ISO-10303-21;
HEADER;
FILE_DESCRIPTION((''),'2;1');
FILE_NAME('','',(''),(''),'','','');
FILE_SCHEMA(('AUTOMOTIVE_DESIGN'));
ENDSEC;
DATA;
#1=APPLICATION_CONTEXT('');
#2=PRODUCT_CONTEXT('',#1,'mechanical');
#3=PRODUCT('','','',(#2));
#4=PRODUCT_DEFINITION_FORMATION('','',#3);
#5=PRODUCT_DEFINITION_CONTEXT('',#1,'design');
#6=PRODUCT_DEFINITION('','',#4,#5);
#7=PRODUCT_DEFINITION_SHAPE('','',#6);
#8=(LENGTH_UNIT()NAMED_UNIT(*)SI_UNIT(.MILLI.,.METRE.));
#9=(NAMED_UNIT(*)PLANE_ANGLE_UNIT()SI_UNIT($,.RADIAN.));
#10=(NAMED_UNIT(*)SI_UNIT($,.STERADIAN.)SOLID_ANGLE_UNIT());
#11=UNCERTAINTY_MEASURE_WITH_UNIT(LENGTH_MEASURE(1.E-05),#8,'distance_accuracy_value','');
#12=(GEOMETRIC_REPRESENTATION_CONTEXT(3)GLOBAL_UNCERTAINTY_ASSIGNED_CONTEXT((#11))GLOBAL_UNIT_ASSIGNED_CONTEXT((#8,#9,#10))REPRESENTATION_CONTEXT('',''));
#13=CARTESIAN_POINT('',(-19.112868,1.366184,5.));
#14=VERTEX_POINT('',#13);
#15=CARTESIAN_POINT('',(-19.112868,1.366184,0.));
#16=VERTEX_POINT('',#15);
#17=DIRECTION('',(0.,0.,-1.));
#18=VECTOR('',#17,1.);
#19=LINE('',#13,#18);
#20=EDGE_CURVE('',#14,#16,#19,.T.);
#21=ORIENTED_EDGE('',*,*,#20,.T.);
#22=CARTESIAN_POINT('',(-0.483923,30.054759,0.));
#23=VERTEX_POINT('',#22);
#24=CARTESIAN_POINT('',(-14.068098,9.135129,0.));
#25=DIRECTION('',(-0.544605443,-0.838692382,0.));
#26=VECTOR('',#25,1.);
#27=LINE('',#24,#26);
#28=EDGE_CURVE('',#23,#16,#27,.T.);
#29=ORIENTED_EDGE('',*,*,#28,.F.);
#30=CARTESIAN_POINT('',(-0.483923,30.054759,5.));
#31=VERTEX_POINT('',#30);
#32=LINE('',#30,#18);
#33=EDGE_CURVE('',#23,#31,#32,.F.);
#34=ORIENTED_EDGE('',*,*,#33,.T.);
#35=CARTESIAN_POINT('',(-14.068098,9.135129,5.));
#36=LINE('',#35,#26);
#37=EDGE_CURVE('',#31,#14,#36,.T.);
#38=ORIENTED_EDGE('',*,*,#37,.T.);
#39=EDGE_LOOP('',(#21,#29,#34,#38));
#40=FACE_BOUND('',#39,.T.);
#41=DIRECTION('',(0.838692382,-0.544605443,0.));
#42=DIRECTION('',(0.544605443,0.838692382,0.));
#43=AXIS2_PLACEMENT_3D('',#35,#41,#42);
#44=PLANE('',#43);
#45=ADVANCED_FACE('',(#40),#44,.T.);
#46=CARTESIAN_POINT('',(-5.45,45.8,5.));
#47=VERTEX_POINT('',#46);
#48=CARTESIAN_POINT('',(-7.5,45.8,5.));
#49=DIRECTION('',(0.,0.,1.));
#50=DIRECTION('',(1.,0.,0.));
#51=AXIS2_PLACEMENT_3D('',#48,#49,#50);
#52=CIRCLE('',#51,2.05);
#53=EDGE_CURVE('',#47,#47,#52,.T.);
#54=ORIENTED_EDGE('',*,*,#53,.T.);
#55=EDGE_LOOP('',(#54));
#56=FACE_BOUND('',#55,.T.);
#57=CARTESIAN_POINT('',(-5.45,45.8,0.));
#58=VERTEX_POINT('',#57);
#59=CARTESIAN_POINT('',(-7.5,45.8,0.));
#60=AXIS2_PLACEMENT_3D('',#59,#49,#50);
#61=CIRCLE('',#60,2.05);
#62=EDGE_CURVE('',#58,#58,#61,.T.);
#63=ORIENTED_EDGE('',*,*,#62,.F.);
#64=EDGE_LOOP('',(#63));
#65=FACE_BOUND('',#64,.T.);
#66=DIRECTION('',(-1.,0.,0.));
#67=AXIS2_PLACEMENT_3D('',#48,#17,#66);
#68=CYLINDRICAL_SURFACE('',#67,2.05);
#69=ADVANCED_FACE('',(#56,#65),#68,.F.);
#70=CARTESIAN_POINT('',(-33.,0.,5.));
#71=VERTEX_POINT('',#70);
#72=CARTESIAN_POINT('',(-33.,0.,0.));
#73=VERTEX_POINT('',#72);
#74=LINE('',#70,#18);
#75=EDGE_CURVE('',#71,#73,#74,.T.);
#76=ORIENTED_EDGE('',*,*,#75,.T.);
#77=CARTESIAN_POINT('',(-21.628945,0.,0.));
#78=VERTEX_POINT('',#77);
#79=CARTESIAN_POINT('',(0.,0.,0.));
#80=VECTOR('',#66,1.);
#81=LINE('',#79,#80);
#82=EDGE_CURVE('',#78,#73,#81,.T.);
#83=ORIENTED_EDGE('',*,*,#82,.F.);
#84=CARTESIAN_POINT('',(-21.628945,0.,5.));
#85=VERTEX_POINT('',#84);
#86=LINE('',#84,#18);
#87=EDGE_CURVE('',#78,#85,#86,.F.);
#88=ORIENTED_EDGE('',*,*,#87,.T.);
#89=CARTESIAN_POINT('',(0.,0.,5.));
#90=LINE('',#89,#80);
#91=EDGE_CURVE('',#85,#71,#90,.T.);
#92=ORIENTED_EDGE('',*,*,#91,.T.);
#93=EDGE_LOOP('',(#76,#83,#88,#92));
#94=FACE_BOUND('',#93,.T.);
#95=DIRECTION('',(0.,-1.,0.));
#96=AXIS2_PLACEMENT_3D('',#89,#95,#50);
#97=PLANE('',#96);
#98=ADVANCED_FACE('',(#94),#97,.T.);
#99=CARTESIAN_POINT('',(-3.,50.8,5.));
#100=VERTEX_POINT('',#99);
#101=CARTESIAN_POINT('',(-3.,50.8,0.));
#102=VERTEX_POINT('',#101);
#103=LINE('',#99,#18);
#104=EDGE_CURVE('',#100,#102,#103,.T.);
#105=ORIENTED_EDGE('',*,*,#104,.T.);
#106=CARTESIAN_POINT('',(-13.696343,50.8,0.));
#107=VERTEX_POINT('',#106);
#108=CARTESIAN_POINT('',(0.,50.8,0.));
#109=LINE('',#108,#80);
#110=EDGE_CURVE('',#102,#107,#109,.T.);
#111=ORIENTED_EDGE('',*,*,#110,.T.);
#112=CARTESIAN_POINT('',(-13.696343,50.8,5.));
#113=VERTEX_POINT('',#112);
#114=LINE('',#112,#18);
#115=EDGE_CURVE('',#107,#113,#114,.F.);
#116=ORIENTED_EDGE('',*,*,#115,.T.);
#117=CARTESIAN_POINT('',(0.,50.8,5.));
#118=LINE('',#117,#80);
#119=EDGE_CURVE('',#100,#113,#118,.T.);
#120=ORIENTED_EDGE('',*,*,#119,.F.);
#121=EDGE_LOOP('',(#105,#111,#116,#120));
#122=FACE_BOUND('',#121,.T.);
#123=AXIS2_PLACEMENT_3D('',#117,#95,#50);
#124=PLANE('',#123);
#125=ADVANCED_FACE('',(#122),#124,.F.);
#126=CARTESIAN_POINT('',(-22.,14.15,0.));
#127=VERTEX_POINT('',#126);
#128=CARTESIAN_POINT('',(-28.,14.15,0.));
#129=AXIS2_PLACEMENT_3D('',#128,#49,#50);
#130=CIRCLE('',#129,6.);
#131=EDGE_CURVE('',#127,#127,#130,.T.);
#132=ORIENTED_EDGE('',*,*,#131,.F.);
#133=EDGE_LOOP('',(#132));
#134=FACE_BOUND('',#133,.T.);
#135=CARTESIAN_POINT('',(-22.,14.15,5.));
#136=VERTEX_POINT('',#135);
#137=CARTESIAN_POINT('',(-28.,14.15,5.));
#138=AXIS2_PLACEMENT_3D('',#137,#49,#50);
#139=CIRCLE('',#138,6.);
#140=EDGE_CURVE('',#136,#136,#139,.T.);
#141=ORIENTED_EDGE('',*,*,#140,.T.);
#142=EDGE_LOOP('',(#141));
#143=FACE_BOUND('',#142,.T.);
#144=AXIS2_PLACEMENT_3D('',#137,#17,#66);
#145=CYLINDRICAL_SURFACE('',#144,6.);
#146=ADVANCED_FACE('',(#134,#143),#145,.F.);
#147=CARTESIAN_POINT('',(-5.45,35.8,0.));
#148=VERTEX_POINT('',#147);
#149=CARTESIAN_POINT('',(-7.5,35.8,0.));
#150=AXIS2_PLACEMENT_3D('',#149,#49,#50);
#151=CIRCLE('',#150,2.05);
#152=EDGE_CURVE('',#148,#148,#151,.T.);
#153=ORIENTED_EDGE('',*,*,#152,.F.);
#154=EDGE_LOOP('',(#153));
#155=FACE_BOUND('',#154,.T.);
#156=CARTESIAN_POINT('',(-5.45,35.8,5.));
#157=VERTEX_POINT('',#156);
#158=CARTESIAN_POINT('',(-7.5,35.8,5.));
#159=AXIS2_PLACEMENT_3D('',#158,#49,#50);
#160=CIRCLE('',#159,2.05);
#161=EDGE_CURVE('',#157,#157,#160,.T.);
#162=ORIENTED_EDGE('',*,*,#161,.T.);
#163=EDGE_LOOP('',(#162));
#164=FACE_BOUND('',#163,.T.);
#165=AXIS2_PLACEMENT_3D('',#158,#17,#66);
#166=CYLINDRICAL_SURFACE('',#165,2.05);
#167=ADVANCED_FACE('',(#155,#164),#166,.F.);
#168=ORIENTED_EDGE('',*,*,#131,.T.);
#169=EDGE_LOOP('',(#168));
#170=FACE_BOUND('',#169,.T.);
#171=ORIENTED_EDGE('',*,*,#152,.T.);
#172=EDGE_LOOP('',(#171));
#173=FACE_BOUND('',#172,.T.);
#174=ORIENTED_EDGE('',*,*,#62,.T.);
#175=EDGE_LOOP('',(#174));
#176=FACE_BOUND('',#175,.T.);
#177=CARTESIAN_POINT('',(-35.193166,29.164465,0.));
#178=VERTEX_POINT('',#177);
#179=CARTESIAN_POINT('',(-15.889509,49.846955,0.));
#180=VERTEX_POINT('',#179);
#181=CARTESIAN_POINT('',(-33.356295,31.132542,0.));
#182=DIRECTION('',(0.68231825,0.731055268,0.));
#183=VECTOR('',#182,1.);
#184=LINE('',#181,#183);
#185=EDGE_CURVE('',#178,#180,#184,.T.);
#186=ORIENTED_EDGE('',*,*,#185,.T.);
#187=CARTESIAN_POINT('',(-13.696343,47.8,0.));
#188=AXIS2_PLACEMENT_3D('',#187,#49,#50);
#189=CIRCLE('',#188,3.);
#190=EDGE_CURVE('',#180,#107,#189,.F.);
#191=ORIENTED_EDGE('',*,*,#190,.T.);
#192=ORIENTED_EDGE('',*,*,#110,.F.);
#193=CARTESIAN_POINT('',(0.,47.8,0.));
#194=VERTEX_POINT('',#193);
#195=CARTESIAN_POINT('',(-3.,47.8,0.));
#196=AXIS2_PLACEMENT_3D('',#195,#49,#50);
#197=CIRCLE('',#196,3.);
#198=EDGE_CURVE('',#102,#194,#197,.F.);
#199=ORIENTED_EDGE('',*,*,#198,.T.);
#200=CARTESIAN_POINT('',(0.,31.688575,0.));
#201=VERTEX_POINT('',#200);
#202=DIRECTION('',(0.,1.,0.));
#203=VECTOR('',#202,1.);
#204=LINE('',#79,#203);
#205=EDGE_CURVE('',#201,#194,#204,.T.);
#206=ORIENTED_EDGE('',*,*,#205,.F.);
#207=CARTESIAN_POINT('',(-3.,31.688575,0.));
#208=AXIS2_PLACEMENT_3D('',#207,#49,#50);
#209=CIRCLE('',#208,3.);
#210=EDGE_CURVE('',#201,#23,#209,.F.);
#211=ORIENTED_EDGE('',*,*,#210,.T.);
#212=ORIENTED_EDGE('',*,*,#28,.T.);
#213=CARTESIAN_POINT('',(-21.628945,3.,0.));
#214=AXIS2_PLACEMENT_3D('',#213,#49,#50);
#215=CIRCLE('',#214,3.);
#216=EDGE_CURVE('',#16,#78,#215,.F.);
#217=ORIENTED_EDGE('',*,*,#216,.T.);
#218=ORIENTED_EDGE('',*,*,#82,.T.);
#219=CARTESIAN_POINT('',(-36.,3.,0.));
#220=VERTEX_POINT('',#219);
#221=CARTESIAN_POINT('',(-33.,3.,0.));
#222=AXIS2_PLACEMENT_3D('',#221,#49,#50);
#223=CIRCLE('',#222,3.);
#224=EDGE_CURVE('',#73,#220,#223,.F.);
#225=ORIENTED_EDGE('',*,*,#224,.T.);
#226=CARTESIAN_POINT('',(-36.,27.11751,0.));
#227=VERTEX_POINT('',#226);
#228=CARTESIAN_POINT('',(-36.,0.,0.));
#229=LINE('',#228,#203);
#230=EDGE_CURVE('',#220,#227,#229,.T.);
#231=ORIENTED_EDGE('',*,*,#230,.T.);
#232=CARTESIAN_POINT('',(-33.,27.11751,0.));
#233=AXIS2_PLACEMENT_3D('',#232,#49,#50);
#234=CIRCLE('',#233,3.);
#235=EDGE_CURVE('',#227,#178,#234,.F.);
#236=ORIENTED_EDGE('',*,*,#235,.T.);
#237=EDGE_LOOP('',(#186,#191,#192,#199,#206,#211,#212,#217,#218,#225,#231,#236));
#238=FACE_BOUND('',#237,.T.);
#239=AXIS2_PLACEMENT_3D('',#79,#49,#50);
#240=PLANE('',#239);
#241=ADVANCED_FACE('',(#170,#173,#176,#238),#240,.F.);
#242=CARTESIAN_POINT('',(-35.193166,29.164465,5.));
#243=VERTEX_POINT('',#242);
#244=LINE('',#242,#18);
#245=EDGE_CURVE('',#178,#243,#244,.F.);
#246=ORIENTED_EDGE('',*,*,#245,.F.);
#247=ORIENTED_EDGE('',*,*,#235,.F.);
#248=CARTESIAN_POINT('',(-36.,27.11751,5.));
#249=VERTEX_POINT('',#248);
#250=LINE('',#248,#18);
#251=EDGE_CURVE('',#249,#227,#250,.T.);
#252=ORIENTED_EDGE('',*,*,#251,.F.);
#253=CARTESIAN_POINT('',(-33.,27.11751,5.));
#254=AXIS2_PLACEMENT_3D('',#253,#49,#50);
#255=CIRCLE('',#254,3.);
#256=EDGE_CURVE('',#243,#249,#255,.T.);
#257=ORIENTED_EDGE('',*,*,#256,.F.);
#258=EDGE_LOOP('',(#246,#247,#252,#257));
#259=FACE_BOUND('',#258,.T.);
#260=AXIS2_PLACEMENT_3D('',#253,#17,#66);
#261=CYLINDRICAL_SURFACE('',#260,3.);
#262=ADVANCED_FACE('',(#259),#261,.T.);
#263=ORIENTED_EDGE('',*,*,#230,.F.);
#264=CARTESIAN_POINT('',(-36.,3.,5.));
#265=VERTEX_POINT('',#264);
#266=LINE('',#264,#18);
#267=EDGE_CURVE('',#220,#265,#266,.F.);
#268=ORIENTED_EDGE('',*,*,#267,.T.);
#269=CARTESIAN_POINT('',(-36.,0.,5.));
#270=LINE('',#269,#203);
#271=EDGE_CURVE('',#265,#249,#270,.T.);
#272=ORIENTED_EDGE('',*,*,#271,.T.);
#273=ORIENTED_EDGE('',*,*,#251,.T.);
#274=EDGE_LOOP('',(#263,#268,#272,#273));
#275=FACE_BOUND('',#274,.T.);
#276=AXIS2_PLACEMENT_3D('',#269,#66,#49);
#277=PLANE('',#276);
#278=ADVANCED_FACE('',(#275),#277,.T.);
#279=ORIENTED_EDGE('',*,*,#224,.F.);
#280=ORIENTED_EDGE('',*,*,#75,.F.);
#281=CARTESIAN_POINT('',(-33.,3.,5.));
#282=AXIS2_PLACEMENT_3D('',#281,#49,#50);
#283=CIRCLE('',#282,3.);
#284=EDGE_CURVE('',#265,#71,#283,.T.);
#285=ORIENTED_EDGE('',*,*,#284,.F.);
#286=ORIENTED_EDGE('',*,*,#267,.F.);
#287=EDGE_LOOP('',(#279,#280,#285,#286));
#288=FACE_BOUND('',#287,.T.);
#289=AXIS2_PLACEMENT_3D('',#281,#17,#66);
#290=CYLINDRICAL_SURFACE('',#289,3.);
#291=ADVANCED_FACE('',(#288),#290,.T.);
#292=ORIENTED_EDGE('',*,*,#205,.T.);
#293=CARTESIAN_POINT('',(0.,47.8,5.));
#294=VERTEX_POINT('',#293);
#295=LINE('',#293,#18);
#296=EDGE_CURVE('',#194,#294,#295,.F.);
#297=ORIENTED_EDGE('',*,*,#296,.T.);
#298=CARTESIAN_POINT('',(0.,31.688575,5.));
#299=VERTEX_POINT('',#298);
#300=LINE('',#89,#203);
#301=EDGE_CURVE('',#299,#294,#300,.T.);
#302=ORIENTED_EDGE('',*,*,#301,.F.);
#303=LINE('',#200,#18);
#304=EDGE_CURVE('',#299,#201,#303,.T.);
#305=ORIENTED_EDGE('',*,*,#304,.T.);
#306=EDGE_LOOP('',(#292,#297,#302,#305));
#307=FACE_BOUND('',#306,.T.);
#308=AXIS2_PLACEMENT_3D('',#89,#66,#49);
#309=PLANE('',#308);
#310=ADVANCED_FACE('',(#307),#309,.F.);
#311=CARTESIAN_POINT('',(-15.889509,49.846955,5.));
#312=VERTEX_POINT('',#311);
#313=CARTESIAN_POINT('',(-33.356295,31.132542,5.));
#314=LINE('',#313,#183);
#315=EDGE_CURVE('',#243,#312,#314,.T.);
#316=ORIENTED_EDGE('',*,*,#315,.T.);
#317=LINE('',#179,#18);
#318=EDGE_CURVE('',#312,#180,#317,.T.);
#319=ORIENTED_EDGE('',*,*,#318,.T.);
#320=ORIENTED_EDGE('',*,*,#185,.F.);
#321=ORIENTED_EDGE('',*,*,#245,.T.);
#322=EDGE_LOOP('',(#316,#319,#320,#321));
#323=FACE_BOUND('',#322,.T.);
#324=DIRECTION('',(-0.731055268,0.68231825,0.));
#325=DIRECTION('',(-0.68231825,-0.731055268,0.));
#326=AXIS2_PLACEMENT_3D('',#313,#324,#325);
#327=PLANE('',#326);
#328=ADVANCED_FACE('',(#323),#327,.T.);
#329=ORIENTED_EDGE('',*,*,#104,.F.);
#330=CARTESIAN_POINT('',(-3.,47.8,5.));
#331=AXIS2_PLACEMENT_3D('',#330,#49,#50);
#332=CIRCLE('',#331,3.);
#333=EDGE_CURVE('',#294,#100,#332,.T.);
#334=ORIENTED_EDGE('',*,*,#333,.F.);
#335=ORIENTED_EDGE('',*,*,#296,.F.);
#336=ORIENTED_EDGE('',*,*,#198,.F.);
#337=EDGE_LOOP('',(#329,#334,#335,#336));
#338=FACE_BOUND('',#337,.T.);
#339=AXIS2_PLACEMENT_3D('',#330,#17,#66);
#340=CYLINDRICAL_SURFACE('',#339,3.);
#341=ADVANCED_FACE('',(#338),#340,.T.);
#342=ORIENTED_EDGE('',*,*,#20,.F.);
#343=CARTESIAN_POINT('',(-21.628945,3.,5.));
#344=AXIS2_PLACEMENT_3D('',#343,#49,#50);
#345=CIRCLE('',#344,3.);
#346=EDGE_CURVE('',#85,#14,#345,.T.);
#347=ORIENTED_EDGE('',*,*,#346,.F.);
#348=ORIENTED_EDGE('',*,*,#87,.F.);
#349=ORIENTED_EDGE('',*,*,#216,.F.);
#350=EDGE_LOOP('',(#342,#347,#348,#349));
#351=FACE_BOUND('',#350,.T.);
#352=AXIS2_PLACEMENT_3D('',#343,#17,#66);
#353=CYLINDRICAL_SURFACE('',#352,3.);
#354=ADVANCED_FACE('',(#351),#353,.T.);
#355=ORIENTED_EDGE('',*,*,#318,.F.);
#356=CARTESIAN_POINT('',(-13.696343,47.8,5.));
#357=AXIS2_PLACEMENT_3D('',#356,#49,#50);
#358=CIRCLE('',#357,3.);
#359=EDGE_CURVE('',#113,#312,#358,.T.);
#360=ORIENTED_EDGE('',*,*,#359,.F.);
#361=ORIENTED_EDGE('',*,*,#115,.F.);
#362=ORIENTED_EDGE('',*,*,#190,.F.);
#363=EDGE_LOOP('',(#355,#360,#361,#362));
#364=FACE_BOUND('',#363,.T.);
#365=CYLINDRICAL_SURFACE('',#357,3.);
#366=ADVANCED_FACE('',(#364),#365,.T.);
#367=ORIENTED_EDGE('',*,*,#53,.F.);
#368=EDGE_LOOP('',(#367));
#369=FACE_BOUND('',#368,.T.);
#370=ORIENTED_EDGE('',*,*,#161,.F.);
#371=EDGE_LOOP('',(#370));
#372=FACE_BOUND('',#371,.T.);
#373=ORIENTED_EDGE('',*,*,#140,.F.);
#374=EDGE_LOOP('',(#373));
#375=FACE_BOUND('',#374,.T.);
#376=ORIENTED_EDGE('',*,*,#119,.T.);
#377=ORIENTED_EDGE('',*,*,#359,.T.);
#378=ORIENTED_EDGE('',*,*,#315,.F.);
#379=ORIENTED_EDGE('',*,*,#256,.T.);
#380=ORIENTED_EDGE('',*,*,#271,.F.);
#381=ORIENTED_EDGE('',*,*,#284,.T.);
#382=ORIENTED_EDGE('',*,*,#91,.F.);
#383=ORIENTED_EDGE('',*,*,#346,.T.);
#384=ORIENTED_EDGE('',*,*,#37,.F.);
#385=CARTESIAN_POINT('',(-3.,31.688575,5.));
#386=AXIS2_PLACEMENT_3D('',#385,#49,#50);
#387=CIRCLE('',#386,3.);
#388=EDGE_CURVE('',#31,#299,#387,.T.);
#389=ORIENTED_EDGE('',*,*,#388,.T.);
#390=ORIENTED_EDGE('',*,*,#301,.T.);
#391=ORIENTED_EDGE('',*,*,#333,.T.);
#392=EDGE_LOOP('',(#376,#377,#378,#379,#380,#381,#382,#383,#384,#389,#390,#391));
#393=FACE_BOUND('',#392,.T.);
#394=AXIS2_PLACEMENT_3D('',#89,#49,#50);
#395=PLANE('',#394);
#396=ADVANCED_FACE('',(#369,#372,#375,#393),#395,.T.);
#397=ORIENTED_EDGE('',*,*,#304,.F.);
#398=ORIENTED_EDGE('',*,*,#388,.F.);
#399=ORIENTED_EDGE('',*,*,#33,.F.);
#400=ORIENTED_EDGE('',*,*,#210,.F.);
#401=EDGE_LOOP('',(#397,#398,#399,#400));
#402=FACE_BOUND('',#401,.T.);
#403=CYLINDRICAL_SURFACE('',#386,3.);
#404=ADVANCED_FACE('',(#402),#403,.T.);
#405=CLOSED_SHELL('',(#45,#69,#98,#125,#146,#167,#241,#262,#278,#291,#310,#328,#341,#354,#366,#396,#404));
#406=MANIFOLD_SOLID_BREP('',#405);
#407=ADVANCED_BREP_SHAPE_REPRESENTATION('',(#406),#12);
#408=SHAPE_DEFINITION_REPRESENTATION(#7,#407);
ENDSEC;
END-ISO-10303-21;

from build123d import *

# Parameters (mm, degrees)
SKETCH_1_R      = 6
SKETCH_1_R_2    = 2.05
EXTRUDE_1_DEPTH = 5
FILLET_1_R      = 3


with BuildPart() as part:
    # ｽｹｯﾁ1 → ﾎﾞｽ - 押し出し1 (new body)
    with BuildSketch(Plane.XY):
        Polygon((-36, 0), (-20, 0), (0, 30.8), (0, 50.8), (-15, 50.8), (-36, 28.3), align=None)
        with Locations((-28, 14.15)):
            Circle(SKETCH_1_R, mode=Mode.SUBTRACT)
        with Locations((-7.5, 35.8)):
            Circle(SKETCH_1_R_2, mode=Mode.SUBTRACT)
        with Locations((-7.5, 45.8)):
            Circle(SKETCH_1_R_2, mode=Mode.SUBTRACT)
    extrude(amount=EXTRUDE_1_DEPTH)

    # ﾌｨﾚｯﾄ1
    fillet_1_edges = [part.edges().sort_by_distance(p)[0] for p in [
        (-15, 50.8, 2.5),
        (0, 50.8, 2.5),
        (0, 30.8, 2.5),
        (-20, 0, 2.5),
        (-36, 0, 2.5),
        (-36, 28.3, 2.5),
    ]]
    fillet(fillet_1_edges, radius=FILLET_1_R)


solid = part.part
